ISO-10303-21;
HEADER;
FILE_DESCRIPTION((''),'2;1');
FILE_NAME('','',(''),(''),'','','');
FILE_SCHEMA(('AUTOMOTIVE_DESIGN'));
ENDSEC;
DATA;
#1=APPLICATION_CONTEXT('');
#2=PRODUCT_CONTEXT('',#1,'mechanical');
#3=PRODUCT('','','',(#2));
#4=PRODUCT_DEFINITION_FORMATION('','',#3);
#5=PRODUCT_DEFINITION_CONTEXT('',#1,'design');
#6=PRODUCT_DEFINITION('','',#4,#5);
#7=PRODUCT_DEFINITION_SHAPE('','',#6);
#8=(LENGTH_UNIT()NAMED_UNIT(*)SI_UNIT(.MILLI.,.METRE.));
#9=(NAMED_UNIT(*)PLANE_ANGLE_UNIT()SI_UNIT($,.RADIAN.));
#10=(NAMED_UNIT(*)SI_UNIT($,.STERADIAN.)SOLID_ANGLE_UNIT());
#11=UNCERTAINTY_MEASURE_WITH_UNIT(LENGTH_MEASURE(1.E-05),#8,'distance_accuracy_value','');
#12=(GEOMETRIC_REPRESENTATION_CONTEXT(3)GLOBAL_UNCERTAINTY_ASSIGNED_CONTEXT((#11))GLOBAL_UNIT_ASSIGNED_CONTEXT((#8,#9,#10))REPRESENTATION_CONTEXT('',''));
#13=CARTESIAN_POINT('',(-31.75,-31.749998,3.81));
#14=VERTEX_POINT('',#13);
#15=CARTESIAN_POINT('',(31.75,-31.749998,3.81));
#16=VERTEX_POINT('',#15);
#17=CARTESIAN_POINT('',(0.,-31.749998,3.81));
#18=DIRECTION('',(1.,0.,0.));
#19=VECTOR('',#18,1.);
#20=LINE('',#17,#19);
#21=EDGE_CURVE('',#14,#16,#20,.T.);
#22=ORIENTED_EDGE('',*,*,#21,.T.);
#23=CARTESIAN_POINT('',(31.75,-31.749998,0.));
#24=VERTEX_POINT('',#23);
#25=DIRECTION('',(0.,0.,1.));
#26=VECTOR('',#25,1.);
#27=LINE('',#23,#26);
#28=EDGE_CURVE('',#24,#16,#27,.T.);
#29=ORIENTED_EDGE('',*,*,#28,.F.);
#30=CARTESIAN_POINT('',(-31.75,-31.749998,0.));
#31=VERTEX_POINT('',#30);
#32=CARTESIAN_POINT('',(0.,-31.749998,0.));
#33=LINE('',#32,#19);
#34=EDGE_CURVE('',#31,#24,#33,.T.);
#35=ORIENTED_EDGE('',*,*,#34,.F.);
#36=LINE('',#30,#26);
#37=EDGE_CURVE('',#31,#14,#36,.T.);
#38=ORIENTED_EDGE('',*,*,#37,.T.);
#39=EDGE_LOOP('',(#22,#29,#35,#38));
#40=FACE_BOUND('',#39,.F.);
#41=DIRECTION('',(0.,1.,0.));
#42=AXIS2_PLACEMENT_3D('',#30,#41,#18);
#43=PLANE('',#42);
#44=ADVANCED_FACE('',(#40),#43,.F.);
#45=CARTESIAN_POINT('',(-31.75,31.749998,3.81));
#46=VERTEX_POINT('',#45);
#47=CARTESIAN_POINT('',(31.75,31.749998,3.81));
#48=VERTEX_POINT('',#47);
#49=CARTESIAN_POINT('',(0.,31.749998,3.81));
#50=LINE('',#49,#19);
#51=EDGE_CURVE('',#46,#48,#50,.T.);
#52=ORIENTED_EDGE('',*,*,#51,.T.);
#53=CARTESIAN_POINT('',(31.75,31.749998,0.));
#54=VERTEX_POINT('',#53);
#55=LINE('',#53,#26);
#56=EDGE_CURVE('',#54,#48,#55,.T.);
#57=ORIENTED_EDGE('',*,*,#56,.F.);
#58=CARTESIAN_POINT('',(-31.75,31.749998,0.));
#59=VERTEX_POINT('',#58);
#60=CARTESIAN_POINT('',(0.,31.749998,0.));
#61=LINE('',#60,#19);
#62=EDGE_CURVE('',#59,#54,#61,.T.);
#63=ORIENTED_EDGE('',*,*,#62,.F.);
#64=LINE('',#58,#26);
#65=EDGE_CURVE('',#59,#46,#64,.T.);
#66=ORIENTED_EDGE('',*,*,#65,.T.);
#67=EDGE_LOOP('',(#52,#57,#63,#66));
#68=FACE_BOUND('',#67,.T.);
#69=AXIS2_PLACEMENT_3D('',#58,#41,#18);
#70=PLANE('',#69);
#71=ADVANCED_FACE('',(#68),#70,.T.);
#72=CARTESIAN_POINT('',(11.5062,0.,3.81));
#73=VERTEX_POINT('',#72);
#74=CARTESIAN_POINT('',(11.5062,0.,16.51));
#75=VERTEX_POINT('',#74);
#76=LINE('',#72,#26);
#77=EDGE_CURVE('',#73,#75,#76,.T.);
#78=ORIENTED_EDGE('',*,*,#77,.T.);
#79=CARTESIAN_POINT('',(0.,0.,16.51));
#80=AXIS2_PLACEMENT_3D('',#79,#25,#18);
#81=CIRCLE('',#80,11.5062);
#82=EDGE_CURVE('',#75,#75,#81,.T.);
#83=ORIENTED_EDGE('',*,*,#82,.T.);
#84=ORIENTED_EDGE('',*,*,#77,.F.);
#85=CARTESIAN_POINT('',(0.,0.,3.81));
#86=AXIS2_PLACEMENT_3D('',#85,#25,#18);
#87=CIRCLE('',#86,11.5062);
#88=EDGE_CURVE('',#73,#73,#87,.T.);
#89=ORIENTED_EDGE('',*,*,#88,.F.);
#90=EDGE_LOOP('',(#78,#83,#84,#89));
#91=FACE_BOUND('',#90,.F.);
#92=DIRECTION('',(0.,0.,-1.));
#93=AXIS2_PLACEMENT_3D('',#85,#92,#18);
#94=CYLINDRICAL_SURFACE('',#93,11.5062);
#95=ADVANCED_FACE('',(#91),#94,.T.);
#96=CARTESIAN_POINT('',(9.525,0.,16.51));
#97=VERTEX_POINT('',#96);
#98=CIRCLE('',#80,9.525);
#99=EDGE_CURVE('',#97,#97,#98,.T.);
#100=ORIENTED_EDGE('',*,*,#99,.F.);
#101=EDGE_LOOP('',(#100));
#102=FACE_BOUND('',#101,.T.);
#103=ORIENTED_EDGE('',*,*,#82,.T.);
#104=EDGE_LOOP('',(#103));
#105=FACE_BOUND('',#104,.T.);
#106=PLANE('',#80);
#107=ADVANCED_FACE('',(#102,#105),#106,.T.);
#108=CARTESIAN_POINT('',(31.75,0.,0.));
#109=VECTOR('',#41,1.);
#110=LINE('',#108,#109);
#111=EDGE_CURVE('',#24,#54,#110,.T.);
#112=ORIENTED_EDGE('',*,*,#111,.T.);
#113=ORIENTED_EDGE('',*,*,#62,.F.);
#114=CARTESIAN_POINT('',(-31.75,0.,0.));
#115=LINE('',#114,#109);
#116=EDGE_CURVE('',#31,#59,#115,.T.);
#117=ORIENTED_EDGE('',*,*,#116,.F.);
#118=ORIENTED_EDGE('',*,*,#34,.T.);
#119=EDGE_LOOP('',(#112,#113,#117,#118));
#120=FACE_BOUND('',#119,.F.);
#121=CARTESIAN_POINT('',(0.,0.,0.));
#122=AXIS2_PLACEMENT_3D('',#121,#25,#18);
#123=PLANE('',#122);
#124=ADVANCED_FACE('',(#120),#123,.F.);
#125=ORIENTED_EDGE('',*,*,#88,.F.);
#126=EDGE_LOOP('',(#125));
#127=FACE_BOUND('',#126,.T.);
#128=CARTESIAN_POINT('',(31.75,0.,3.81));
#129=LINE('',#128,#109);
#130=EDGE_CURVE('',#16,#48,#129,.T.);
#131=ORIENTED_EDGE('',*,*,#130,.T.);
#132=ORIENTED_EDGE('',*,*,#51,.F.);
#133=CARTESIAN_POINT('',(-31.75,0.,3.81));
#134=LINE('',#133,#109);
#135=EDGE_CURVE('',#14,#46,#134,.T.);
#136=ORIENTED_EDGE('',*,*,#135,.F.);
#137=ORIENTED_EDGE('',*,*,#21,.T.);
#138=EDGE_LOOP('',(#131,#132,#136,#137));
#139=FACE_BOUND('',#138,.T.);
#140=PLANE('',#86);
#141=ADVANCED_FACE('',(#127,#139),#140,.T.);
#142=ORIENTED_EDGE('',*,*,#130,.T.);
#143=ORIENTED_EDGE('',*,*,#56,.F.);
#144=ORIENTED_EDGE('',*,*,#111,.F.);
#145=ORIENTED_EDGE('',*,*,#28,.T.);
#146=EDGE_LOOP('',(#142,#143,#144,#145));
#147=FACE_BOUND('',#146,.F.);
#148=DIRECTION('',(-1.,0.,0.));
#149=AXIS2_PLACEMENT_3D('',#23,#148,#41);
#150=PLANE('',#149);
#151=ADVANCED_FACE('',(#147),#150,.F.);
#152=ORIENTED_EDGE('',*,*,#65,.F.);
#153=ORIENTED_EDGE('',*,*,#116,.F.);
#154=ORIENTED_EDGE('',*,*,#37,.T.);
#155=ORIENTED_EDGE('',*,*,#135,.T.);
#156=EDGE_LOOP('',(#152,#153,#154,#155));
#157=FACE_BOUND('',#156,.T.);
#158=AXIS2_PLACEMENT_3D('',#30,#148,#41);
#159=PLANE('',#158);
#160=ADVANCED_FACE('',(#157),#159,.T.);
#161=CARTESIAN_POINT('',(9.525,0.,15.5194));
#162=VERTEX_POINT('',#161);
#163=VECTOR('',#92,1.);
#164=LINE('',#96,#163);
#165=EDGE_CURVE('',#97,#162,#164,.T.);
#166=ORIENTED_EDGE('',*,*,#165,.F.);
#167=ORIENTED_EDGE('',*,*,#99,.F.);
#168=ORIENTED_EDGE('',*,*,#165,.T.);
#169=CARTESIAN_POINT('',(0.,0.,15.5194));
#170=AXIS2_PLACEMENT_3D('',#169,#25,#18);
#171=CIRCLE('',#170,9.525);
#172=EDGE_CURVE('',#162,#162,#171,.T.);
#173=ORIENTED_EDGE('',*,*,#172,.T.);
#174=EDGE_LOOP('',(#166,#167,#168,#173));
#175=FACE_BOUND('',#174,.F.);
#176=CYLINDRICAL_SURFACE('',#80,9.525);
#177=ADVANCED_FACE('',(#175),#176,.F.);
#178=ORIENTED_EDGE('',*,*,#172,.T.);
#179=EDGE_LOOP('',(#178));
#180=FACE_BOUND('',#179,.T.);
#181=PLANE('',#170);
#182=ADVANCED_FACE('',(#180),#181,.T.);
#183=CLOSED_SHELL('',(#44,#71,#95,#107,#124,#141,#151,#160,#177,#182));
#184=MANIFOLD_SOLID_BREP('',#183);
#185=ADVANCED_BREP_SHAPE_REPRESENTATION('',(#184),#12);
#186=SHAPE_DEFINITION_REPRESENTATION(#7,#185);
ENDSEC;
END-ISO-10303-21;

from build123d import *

# Parameters (mm, degrees)
F0_W     = 63.5
F0_H     = 63.499996
F1_DEPTH = 3.81
F2_R     = 11.5062
F3_DEPTH = 12.7
F4_R     = 9.525
F5_DEPTH = 0.9906


with BuildPart() as f1:
    # F0 (on Top) → F1 (new body)
    with BuildSketch(Plane.XY):
        Rectangle(F0_W, F0_H)
    extrude(amount=F1_DEPTH)

    # F2 (on face) → F3 (join)
    with BuildSketch(Plane.XY.offset(3.81)):
        Circle(F2_R)
    extrude(amount=F3_DEPTH)

    # F4 (on face) → F5 (cut)
    with BuildSketch(Plane.XY.offset(16.51)):
        Circle(F4_R)
    extrude(amount=-F5_DEPTH, mode=Mode.SUBTRACT)


solid = f1.part
